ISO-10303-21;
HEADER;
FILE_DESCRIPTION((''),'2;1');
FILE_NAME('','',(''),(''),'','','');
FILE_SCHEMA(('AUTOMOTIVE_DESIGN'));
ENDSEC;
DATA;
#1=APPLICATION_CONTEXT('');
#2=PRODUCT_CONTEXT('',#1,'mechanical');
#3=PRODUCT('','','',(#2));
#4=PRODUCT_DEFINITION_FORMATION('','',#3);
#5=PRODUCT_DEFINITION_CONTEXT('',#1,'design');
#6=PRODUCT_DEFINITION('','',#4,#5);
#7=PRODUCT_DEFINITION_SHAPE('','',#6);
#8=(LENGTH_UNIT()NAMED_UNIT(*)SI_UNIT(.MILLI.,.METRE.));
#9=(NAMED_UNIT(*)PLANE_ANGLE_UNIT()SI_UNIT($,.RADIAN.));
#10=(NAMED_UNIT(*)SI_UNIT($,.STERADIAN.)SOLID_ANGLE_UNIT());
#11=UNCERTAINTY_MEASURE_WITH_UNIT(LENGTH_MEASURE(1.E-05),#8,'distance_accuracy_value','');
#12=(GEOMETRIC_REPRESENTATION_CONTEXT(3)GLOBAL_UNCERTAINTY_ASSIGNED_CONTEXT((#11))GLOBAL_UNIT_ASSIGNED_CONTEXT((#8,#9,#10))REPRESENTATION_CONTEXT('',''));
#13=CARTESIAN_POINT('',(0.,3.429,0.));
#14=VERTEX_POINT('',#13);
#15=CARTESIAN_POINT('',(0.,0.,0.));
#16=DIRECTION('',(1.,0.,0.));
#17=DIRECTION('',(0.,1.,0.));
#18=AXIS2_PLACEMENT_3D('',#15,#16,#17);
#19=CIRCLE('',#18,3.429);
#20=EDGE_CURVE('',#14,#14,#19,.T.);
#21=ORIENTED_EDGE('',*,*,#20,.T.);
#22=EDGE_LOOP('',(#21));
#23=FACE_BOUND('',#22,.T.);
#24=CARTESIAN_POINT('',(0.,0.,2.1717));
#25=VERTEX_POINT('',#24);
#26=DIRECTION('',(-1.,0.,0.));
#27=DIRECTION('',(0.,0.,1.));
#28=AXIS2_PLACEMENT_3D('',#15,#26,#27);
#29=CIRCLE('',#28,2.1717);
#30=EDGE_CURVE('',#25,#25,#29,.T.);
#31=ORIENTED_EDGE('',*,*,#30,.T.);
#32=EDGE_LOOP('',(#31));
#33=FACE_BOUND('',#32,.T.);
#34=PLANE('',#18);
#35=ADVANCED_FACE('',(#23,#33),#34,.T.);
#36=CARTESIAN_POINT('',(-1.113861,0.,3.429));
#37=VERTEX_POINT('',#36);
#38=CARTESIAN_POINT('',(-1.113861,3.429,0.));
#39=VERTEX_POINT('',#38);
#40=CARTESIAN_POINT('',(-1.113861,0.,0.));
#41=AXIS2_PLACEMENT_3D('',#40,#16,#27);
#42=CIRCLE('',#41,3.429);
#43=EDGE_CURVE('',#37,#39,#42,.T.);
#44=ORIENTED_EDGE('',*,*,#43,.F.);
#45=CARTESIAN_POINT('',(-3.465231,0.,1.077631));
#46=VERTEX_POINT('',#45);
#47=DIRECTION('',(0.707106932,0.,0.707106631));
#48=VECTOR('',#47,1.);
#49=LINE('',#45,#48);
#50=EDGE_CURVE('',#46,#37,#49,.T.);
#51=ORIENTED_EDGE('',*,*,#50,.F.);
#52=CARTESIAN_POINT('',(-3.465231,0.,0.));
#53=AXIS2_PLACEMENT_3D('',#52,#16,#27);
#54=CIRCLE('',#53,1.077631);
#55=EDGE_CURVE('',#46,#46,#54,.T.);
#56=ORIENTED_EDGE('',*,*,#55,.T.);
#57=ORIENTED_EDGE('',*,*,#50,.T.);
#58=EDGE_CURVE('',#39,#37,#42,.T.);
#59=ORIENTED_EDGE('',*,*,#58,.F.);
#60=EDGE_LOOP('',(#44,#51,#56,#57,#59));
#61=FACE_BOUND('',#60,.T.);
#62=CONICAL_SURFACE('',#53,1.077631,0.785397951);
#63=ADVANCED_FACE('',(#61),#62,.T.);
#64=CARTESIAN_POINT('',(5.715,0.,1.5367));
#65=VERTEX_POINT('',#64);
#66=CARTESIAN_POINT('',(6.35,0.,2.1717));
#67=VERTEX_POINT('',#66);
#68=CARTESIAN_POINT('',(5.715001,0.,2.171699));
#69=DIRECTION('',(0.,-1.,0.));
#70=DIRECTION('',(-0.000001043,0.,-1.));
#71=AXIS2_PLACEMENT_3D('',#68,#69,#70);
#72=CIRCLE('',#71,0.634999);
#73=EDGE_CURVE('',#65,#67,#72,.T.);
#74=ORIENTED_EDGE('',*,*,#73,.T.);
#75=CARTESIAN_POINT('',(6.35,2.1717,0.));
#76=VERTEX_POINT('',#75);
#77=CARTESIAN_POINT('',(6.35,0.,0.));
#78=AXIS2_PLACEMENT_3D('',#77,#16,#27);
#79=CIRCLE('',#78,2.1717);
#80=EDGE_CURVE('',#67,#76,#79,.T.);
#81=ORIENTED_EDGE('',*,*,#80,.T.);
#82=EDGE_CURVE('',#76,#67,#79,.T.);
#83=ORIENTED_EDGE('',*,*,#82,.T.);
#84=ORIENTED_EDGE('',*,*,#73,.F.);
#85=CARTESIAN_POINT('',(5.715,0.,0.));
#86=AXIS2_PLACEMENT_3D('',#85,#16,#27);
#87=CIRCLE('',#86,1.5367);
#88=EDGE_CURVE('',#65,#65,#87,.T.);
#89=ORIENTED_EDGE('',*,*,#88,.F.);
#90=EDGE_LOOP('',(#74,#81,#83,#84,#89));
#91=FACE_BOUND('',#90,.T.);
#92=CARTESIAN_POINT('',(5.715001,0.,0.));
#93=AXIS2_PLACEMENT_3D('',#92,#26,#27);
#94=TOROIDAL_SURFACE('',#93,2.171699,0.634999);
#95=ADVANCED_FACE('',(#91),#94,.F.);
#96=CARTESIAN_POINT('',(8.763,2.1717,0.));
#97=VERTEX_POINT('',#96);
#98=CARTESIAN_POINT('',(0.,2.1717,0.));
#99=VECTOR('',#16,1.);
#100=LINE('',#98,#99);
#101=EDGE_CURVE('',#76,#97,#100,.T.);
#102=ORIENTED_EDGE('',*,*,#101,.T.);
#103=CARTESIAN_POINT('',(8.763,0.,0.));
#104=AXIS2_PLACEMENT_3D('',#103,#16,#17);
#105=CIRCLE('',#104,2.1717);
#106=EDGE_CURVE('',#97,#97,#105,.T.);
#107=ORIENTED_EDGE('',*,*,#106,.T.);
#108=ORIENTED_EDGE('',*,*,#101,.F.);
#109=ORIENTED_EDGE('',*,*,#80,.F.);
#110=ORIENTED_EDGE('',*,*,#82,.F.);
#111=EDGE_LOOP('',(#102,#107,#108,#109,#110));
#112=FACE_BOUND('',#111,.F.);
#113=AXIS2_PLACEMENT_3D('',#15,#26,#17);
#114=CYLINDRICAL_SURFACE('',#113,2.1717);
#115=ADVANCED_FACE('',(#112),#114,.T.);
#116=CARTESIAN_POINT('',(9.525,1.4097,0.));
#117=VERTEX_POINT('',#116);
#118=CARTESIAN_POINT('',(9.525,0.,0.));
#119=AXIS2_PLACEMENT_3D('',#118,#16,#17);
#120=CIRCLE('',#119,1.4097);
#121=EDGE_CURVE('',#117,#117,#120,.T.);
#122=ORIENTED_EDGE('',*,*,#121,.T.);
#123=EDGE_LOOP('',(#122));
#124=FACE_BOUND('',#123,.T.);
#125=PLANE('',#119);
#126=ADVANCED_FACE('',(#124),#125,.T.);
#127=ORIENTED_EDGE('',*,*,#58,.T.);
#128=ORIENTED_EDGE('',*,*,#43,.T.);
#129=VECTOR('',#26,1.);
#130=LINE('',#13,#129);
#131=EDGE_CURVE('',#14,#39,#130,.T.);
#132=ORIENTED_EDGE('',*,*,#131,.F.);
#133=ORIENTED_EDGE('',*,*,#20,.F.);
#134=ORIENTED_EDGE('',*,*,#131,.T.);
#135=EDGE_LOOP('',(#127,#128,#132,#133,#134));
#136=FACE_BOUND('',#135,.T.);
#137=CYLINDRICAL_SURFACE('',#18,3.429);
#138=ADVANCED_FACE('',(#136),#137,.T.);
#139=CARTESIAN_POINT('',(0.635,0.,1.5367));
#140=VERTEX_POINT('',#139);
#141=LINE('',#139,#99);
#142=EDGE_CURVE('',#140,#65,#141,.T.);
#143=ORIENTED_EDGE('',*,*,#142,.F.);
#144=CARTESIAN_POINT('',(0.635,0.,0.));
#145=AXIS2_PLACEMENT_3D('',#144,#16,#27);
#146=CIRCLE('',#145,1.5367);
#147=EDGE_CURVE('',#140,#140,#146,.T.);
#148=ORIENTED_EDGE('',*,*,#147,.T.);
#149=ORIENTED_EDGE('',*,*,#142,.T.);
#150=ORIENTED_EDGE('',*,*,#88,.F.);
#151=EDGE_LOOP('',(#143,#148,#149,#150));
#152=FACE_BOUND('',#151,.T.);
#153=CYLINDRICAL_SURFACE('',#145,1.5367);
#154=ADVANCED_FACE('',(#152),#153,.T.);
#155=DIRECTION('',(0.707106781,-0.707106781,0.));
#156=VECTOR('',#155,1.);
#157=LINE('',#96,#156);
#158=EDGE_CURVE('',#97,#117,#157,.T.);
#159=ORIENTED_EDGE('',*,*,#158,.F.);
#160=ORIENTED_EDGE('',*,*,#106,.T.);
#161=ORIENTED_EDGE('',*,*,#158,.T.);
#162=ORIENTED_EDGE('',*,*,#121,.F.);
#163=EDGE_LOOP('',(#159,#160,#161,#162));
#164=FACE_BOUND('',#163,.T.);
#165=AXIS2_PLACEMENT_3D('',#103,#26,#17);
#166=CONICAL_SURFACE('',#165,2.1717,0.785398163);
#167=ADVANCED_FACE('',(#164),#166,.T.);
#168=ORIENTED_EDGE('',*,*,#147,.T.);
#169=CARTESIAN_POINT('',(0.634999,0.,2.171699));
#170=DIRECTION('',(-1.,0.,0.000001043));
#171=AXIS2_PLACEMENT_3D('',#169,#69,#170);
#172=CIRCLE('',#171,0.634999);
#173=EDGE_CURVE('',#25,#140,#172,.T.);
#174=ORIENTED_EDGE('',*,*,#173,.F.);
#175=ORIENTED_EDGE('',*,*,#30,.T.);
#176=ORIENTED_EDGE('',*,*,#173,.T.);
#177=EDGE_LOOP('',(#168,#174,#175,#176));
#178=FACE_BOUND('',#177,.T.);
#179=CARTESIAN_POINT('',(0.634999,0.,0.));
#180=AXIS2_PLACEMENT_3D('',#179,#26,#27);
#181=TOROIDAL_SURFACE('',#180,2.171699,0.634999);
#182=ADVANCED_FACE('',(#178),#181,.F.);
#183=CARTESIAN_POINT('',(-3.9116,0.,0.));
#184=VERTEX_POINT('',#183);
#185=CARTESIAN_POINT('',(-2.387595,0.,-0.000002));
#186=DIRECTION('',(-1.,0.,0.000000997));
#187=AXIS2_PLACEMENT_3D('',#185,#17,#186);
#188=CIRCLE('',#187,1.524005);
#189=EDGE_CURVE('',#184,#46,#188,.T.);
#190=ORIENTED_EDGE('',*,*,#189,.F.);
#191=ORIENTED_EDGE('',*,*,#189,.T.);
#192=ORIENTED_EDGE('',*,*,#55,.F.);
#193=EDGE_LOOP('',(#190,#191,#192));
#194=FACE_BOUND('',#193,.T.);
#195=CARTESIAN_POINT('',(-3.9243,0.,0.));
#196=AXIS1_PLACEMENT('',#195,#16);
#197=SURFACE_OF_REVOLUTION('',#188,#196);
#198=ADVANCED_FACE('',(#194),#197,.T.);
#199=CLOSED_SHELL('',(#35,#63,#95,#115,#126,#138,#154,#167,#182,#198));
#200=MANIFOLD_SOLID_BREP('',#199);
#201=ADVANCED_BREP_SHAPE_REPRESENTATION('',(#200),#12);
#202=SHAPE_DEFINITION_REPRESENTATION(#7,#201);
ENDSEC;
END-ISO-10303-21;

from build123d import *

# Parameters (mm, degrees)
F0_R     = 2.1717
F1_DEPTH = 9.525
F0_R_2   = 3.429
F2_DEPTH = 3.937
F5_SIZE  = 0.762


with BuildPart() as f1:
    # F0 (on Right) → F1 (new body)
    with BuildSketch(Plane.YZ):
        Circle(F0_R)
    extrude(amount=F1_DEPTH)

    # F0 (on Right) → F2 (join)
    with BuildSketch(Plane.YZ):
        Circle(F0_R_2)
        Circle(F0_R, mode=Mode.SUBTRACT)
        Circle(F0_R)
    extrude(amount=-F2_DEPTH)

    # F3 (on Front) → F4 (revolve, cut)
    with BuildSketch(Plane.XZ):
        with BuildLine():
            Line((6.35, 2.1717), (0, 2.1717))
            ThreePointArc((0, 2.1717), (0.185987, 1.722687), (0.635, 1.5367))
            Line((0.635, 1.5367), (5.715, 1.5367))
            ThreePointArc((5.715, 1.5367), (6.164013, 1.722687), (6.35, 2.1717))
        make_face()
    revolve(axis=Axis((3.39265, 0, 0), (1, 0, 0)), mode=Mode.SUBTRACT)

    # F5
    f5_edges = [f1.edges().sort_by_distance(p)[0] for p in [
        (9.525, -2.1717, 0),
    ]]
    chamfer(f5_edges, length=F5_SIZE)

    # F6 (on Front) → F7 (revolve, cut)
    with BuildSketch(Plane.XZ):
        with BuildLine():
            Line((-1.113861, 3.429), (-3.937, 3.429))
            Line((-3.937, 3.429), (-3.937, 0))
            Line((-3.937, 0), (-3.9116, 0))
            ThreePointArc((-3.9116, 0), (-3.795592, 0.58321), (-3.465231, 1.077631))
            Line((-3.465231, 1.077631), (-1.113861, 3.429))
        make_face()
    revolve(axis=Axis((-3.9243, 0, 0), (1, 0, 0)), mode=Mode.SUBTRACT)


solid = f1.part
